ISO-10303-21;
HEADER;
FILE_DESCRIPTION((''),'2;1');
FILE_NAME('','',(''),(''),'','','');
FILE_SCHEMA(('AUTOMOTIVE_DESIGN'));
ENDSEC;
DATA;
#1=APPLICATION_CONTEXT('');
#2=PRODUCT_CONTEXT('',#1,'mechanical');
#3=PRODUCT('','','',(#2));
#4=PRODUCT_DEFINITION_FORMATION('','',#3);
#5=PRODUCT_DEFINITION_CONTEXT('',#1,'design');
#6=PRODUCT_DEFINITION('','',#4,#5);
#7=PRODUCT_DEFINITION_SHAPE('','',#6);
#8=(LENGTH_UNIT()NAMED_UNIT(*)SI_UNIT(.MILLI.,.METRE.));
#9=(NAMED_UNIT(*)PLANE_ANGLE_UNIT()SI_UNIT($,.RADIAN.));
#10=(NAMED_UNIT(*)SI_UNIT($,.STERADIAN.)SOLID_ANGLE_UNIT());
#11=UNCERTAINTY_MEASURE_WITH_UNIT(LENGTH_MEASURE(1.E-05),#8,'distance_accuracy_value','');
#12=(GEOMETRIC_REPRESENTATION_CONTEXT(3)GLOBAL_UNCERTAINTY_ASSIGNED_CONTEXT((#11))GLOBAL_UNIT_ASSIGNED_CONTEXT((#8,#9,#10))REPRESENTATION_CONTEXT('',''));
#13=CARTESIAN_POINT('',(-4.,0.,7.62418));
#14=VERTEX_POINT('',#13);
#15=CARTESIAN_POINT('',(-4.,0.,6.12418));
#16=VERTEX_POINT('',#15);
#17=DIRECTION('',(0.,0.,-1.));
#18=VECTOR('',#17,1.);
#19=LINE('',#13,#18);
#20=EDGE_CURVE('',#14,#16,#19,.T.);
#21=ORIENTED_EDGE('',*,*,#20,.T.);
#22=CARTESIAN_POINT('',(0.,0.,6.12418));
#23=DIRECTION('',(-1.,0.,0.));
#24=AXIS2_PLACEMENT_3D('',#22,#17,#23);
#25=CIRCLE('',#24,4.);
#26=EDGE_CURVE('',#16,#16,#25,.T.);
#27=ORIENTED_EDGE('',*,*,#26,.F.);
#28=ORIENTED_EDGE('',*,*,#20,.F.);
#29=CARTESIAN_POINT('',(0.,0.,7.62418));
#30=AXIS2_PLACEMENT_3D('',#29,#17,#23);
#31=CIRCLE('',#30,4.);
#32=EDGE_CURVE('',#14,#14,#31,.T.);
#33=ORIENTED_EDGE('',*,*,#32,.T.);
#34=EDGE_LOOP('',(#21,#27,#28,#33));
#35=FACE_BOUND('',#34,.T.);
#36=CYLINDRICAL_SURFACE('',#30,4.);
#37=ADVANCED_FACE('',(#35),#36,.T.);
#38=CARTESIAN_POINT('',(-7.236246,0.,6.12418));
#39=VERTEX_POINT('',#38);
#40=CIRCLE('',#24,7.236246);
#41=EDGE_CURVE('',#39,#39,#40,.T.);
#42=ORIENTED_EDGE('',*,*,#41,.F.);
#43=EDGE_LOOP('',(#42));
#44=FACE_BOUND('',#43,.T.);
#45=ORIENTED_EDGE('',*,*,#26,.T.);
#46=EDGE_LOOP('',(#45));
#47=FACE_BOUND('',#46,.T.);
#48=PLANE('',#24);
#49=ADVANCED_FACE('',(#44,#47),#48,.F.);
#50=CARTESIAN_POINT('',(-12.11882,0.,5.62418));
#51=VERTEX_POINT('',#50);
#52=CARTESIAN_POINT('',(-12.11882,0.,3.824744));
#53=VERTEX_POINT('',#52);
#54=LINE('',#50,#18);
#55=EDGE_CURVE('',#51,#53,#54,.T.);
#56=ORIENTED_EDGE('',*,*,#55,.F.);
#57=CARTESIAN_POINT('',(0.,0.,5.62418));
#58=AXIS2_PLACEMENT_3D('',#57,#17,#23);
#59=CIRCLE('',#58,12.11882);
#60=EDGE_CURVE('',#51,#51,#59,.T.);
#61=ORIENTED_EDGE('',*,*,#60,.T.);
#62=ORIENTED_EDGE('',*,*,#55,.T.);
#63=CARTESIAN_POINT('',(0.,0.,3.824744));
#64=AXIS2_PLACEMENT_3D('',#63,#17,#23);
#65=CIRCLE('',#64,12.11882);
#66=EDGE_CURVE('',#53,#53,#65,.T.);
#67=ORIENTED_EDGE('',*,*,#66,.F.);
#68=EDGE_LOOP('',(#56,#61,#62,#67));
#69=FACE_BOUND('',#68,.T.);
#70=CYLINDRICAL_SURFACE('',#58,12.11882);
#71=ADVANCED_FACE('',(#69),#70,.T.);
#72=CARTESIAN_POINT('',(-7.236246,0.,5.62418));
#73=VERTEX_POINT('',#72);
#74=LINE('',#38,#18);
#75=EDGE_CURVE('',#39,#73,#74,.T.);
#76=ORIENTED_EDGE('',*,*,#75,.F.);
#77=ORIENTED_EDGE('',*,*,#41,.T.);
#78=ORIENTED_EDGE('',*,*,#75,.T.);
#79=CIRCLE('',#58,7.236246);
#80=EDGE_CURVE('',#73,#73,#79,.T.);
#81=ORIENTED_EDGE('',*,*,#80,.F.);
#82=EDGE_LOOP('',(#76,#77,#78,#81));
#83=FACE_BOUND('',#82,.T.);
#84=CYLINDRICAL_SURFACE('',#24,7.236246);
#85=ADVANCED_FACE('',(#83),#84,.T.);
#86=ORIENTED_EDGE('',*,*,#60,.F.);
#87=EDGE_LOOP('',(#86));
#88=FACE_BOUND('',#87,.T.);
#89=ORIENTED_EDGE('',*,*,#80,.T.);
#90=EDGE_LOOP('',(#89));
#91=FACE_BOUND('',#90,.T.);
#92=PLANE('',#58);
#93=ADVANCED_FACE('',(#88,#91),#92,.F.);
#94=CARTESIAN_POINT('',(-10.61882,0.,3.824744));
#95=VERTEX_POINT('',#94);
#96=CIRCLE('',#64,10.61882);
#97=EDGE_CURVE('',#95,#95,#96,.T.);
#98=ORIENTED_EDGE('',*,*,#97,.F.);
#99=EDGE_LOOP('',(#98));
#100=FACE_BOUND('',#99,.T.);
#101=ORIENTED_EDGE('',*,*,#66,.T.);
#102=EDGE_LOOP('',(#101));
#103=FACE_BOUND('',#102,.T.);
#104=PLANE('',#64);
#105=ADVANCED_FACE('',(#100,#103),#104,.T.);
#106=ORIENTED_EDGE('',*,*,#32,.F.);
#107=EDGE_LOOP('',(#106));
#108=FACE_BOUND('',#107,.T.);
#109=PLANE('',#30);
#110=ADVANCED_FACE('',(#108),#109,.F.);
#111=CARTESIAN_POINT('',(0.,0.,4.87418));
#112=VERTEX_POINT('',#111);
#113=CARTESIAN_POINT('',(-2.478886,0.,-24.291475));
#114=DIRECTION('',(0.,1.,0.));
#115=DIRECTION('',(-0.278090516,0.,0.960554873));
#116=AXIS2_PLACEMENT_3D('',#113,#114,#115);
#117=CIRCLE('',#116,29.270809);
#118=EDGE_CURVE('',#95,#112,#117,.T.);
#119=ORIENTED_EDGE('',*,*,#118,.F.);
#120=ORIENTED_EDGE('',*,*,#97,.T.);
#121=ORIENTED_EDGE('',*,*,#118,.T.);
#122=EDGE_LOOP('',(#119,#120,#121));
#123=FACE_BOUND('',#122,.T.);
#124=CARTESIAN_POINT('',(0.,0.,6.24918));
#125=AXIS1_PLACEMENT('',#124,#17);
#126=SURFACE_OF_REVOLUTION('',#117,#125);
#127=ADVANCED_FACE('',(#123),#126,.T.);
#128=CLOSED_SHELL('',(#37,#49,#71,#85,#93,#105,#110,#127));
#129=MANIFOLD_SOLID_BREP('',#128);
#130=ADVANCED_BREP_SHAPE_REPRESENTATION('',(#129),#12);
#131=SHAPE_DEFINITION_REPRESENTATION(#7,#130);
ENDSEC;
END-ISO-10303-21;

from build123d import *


with BuildPart() as f1:
    # F0 (on Front) → F1 (revolve)
    with BuildSketch(Plane.XZ):
        with BuildLine():
            Line((-4, 7.62418), (-4, 6.12418))
            Line((-4, 6.12418), (-7.236246, 6.12418))
            Line((-7.236246, 6.12418), (-7.236246, 5.62418))
            Line((-7.236246, 5.62418), (-12.11882, 5.62418))
            Line((-12.11882, 5.62418), (-12.11882, 3.824744))
            Line((-12.11882, 3.824744), (-10.61882, 3.824744))
            ThreePointArc((-10.61882, 3.824744), (-5.357635, 4.83743), (0, 4.87418))
            Line((0, 4.87418), (0, 7.62418))
            Line((0, 7.62418), (-4, 7.62418))
        make_face()
    revolve(axis=Axis((0, 0, 6.24918), (0, 0, -1)))


solid = f1.part
